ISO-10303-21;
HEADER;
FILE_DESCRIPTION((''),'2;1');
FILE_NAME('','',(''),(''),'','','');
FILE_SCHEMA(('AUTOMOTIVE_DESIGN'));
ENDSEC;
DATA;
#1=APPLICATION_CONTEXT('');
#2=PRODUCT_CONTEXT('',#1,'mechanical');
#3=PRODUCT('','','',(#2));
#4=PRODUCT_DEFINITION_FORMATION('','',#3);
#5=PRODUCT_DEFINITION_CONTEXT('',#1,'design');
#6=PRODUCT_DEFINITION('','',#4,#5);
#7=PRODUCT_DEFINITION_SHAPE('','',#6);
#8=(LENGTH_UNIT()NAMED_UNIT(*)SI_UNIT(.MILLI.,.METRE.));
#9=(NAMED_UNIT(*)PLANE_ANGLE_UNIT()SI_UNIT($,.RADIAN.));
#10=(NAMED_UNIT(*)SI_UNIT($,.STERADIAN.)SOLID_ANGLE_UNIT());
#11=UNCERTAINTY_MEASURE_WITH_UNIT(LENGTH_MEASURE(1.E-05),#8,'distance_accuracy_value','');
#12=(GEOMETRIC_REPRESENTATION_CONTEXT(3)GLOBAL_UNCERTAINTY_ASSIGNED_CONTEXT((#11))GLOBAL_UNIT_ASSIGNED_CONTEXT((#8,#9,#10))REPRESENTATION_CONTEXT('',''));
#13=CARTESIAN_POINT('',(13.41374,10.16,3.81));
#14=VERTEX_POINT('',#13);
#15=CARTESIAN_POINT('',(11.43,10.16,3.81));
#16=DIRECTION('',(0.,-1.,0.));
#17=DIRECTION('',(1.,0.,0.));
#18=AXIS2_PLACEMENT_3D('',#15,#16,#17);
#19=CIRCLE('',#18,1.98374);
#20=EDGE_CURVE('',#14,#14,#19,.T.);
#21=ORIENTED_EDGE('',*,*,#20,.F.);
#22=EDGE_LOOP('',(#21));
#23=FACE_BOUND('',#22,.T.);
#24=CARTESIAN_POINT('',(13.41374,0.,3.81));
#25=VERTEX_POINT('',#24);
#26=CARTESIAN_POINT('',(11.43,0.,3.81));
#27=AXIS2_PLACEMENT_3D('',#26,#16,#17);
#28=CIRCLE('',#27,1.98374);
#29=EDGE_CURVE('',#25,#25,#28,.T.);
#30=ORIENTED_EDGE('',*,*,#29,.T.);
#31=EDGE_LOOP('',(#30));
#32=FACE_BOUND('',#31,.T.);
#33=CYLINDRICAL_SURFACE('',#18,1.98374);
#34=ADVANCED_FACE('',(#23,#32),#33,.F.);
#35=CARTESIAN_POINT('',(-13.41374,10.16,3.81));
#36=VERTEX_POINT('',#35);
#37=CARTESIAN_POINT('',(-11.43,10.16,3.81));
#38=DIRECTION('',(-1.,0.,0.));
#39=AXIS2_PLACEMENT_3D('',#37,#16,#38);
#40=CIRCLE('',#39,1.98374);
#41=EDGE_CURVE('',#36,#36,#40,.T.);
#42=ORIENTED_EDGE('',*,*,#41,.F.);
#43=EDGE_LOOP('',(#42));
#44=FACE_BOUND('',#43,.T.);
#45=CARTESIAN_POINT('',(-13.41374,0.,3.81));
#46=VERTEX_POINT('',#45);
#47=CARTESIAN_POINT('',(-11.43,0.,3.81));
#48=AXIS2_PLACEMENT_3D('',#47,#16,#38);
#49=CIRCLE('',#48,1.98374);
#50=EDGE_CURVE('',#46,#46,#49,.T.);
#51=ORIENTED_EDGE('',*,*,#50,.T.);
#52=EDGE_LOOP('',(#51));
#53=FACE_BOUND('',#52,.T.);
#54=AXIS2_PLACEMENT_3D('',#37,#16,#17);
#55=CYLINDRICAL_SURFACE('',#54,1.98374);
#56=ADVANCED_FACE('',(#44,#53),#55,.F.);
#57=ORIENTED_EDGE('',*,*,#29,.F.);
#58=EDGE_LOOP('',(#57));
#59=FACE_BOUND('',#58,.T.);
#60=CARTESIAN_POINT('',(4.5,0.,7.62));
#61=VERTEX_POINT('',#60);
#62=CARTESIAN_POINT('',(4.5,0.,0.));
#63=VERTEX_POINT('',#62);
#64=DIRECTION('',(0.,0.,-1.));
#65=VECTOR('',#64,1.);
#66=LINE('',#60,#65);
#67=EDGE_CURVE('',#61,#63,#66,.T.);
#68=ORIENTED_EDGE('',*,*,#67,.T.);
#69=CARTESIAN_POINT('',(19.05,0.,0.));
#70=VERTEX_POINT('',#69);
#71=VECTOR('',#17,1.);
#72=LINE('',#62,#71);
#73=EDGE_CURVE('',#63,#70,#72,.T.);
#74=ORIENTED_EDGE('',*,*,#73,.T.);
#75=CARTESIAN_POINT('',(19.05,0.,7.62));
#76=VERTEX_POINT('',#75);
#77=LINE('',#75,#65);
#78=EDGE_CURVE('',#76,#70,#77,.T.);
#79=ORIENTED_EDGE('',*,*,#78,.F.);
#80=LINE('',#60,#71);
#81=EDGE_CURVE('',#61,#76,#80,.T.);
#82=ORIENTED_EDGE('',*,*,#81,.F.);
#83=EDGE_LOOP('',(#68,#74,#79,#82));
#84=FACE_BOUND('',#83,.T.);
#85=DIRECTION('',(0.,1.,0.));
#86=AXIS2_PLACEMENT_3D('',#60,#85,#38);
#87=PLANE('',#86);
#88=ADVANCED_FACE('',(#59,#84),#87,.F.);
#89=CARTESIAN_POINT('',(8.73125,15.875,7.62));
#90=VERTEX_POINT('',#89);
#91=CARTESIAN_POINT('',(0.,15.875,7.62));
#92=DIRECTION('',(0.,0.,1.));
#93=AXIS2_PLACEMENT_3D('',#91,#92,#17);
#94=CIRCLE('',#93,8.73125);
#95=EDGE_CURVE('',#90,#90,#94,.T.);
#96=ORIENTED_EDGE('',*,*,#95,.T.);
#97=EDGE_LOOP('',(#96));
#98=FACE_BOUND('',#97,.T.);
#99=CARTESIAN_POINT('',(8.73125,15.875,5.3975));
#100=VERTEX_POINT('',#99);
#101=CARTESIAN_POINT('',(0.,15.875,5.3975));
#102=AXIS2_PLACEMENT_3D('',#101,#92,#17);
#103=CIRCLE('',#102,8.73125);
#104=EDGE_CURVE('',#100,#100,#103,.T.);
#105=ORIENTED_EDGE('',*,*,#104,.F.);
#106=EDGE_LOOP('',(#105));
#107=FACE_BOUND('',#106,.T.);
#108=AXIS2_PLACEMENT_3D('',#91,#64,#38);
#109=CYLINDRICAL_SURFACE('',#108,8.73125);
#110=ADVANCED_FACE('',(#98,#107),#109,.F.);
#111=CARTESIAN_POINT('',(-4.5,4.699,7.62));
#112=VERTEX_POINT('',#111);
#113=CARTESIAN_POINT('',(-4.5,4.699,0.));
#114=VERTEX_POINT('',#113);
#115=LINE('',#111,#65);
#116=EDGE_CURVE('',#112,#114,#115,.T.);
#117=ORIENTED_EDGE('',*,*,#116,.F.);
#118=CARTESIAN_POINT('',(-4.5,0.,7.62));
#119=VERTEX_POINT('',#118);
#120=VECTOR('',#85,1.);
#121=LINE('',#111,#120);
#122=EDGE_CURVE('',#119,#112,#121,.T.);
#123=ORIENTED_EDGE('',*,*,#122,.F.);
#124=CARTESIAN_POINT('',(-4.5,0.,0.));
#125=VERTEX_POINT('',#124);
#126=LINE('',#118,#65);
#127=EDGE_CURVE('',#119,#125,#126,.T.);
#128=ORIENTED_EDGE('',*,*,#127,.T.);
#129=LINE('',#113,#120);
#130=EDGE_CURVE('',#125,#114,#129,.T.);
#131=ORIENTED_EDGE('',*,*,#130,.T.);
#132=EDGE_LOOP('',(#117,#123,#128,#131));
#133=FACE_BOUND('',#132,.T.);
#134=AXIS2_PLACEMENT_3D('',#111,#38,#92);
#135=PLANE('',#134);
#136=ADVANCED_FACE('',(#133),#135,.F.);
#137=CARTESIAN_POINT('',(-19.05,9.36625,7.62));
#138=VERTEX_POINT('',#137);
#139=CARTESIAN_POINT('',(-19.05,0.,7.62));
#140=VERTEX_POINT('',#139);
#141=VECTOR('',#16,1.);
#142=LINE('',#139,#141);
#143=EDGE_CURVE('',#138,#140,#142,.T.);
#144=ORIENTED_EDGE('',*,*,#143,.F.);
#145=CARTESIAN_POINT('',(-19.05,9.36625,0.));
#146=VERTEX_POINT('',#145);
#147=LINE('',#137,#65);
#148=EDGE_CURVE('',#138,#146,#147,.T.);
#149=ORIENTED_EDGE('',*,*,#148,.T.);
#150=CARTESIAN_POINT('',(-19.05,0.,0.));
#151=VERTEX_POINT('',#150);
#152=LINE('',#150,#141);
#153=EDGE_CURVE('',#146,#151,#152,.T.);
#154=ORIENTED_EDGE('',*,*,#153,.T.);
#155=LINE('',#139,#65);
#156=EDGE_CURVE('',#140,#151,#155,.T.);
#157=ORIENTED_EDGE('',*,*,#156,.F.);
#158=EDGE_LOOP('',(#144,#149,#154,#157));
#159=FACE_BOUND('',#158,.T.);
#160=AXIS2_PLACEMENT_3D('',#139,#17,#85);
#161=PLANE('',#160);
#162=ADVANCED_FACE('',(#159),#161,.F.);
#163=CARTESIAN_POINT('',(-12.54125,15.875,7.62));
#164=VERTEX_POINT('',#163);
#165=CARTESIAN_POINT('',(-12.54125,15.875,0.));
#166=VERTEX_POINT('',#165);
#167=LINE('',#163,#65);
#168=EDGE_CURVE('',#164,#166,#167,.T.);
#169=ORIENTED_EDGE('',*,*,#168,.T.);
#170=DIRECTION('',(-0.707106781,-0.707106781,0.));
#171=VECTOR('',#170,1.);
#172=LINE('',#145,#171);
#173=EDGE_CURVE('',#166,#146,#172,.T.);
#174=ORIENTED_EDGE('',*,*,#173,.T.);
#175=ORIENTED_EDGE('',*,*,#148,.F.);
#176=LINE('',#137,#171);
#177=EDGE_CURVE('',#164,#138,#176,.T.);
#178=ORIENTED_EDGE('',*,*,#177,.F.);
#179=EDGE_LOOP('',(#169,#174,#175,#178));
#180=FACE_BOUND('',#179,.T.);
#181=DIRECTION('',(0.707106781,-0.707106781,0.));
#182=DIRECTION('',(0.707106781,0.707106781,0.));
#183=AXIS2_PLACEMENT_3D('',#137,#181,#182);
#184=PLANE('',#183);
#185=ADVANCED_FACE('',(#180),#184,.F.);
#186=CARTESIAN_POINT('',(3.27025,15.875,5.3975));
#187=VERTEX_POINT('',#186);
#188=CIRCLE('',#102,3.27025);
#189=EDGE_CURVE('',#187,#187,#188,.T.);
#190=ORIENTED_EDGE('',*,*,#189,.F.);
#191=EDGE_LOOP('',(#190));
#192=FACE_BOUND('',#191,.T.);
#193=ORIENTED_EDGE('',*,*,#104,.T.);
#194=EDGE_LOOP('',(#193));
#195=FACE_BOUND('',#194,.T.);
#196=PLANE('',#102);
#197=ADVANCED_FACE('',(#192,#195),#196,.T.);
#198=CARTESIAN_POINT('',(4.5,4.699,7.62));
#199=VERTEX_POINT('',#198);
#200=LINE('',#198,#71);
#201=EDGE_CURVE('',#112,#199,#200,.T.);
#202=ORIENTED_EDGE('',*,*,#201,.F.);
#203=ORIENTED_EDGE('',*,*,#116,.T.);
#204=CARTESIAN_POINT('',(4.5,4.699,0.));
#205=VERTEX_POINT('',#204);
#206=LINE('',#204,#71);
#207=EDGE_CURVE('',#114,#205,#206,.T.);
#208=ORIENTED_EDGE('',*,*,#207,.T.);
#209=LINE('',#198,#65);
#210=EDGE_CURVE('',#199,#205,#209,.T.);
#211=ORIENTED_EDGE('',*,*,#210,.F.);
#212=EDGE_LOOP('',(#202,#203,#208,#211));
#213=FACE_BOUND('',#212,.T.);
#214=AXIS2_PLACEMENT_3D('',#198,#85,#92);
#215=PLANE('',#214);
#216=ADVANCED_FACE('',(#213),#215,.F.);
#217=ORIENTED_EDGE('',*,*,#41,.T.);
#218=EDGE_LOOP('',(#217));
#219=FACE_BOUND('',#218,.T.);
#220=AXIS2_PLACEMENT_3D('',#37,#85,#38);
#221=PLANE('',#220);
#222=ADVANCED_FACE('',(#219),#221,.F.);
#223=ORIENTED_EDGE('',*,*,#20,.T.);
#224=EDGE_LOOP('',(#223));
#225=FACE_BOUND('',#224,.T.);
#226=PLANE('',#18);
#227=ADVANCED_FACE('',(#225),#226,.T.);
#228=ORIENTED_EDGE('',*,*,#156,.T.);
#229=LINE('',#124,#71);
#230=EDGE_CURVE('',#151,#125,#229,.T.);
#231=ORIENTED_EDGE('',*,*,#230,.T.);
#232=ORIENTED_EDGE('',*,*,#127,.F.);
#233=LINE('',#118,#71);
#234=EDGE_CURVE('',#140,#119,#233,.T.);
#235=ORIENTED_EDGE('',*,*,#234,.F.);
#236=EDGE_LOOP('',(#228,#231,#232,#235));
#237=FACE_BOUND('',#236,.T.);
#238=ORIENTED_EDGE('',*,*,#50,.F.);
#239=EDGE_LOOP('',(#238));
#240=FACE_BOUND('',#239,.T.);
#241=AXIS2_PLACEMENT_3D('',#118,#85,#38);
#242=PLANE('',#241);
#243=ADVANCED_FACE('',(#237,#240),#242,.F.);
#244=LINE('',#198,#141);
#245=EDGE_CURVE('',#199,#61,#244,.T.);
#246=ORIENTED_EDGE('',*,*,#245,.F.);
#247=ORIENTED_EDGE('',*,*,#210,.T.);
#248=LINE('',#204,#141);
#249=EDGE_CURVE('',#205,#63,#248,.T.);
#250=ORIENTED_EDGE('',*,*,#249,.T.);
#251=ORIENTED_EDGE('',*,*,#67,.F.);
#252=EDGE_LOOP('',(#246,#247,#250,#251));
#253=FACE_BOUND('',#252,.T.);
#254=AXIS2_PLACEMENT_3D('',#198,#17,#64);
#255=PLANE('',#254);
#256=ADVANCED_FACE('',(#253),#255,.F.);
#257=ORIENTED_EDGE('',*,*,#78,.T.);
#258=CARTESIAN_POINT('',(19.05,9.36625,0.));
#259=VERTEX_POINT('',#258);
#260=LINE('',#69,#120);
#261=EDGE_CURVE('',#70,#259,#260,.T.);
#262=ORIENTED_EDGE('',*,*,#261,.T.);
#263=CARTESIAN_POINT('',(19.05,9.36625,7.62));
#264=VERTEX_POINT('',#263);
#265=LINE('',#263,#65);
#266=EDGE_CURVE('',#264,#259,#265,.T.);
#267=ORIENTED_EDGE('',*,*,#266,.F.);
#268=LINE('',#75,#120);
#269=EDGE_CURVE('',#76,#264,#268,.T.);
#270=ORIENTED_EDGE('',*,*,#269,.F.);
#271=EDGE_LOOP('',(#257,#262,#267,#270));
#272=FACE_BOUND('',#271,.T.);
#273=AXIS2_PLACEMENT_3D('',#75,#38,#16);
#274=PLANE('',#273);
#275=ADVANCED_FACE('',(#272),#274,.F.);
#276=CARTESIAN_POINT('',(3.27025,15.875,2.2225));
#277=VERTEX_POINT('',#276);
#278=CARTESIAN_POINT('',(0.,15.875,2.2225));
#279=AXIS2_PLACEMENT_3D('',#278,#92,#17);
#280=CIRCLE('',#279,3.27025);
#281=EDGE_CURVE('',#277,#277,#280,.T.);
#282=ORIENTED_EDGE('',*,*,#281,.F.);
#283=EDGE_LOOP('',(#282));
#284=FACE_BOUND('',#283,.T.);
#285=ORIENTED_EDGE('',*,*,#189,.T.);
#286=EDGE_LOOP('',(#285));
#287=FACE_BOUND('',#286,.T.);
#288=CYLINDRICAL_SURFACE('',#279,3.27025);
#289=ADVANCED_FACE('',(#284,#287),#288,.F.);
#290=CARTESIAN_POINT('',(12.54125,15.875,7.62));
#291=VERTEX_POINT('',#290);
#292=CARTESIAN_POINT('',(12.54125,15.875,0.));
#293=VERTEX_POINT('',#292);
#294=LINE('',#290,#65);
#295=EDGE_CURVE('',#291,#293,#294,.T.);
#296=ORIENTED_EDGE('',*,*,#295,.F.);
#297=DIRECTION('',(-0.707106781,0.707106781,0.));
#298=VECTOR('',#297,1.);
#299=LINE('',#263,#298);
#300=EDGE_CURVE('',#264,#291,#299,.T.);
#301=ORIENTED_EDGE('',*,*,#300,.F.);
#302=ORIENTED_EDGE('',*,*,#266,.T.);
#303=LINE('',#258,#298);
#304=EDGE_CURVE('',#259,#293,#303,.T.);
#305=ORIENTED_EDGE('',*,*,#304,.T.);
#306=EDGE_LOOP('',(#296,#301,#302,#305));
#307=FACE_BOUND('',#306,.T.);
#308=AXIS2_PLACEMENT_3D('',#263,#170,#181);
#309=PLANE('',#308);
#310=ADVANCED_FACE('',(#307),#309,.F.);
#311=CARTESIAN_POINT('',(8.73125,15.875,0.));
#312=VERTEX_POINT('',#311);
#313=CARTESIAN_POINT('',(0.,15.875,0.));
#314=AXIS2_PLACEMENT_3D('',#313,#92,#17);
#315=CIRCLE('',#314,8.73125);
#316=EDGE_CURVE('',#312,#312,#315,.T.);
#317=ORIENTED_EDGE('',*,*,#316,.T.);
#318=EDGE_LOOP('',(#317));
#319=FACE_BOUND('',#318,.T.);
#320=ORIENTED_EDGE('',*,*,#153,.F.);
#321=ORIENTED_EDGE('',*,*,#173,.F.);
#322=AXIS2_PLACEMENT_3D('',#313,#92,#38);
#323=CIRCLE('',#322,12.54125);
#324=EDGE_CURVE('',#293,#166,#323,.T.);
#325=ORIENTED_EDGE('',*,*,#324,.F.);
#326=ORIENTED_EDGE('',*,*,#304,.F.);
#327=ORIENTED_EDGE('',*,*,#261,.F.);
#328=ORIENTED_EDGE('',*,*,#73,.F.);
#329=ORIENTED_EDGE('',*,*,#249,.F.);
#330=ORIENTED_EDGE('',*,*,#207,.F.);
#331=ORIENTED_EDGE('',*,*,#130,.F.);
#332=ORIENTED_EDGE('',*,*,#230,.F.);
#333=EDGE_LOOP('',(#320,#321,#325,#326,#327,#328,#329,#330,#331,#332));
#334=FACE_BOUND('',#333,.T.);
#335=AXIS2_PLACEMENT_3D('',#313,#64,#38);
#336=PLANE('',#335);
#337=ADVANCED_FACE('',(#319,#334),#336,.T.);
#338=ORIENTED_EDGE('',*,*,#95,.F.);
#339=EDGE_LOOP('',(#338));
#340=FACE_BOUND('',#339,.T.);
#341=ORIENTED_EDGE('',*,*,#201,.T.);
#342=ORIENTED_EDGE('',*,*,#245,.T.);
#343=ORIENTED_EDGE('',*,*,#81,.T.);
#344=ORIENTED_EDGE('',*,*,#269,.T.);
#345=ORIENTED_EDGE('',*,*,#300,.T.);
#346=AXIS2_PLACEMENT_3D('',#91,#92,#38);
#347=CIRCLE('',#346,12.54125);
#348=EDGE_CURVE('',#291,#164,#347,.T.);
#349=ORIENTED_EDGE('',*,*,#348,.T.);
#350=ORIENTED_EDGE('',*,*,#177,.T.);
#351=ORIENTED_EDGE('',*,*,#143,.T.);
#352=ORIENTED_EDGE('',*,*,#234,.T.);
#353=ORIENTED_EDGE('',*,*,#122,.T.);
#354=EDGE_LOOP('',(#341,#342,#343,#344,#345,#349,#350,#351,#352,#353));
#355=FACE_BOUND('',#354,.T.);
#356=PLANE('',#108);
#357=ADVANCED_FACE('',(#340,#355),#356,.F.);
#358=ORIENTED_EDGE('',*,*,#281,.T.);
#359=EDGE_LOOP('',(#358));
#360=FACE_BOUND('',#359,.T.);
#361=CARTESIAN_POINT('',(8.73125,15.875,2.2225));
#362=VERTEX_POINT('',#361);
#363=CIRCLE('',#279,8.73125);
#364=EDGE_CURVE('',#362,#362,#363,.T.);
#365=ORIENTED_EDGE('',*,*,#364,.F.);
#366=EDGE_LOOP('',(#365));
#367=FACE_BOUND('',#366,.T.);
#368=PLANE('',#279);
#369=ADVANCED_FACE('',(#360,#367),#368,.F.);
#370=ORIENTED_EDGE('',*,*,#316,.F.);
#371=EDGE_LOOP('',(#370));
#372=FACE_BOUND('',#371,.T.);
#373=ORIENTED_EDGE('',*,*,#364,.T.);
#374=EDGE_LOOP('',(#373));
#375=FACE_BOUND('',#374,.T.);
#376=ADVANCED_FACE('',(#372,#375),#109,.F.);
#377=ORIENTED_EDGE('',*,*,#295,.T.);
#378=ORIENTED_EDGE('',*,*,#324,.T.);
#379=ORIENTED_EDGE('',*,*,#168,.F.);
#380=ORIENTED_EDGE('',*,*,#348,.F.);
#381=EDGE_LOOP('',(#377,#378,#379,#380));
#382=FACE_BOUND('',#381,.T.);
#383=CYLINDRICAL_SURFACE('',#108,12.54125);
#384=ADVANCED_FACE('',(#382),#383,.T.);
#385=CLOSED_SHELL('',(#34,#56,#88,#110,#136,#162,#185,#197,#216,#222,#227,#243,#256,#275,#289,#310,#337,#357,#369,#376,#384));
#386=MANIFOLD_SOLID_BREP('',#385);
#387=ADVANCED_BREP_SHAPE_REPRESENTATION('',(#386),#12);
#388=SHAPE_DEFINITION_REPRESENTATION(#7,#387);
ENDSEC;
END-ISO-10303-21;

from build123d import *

# Parameters (mm, degrees)
SKETCH1_R                = 8.73125
BOSS_EXTRUDE1_DEPTH      = 7.62
SKETCH3_R                = 8.7376
SKETCH3_R_2              = 3.27025
BOSS_EXTRUDE2_DEPTH      = 1.5875
BOSS_EXTRUDE2_DEPTH_BACK = 1.5875
SKETCH4_R                = 1.98374
CUT_EXTRUDE1_DEPTH       = 10.16


with BuildPart() as part:
    # Sketch1 → Boss-Extrude1 (new body)
    with BuildSketch(Plane.XY):
        with BuildLine():
            Line((4.5, 4.699), (-4.5, 4.699))
            Line((-4.5, 4.699), (-4.5, 0))
            Line((-4.5, 0), (-19.05, 0))
            Line((-19.05, 0), (-19.05, 9.36625))
            Line((-19.05, 9.36625), (-12.54125, 15.875))
            ThreePointArc((-12.54125, 15.875), (0, 28.41625), (12.54125, 15.875))
            Line((12.54125, 15.875), (19.05, 9.36625))
            Line((19.05, 9.36625), (19.05, 0))
            Line((19.05, 0), (4.5, 0))
            Line((4.5, 0), (4.5, 4.699))
        make_face()
        with Locations((0, 15.875)):
            Circle(SKETCH1_R, mode=Mode.SUBTRACT)
    extrude(amount=BOSS_EXTRUDE1_DEPTH)

    # Sketch3 → Boss-Extrude2 (add, two sides)
    with BuildSketch(Plane.XY.offset(3.81)) as boss_extrude2_sk:
        with Locations((0, 15.875)):
            Circle(SKETCH3_R)
        with Locations((0, 15.875)):
            Circle(SKETCH3_R_2, mode=Mode.SUBTRACT)
    extrude(amount=BOSS_EXTRUDE2_DEPTH)
    extrude(boss_extrude2_sk.sketch, amount=-BOSS_EXTRUDE2_DEPTH_BACK)

    # Sketch4 → Cut-Extrude1 (cut)
    with BuildSketch(Plane(origin=(0, 0, 0), x_dir=(-1, 0, 0), z_dir=(0, -1, 0))):
        with Locations((-11.43, -3.81)):
            Circle(SKETCH4_R)
        with Locations((11.43, -3.81)):
            Circle(SKETCH4_R)
    extrude(amount=-CUT_EXTRUDE1_DEPTH, mode=Mode.SUBTRACT)


solid = part.part
